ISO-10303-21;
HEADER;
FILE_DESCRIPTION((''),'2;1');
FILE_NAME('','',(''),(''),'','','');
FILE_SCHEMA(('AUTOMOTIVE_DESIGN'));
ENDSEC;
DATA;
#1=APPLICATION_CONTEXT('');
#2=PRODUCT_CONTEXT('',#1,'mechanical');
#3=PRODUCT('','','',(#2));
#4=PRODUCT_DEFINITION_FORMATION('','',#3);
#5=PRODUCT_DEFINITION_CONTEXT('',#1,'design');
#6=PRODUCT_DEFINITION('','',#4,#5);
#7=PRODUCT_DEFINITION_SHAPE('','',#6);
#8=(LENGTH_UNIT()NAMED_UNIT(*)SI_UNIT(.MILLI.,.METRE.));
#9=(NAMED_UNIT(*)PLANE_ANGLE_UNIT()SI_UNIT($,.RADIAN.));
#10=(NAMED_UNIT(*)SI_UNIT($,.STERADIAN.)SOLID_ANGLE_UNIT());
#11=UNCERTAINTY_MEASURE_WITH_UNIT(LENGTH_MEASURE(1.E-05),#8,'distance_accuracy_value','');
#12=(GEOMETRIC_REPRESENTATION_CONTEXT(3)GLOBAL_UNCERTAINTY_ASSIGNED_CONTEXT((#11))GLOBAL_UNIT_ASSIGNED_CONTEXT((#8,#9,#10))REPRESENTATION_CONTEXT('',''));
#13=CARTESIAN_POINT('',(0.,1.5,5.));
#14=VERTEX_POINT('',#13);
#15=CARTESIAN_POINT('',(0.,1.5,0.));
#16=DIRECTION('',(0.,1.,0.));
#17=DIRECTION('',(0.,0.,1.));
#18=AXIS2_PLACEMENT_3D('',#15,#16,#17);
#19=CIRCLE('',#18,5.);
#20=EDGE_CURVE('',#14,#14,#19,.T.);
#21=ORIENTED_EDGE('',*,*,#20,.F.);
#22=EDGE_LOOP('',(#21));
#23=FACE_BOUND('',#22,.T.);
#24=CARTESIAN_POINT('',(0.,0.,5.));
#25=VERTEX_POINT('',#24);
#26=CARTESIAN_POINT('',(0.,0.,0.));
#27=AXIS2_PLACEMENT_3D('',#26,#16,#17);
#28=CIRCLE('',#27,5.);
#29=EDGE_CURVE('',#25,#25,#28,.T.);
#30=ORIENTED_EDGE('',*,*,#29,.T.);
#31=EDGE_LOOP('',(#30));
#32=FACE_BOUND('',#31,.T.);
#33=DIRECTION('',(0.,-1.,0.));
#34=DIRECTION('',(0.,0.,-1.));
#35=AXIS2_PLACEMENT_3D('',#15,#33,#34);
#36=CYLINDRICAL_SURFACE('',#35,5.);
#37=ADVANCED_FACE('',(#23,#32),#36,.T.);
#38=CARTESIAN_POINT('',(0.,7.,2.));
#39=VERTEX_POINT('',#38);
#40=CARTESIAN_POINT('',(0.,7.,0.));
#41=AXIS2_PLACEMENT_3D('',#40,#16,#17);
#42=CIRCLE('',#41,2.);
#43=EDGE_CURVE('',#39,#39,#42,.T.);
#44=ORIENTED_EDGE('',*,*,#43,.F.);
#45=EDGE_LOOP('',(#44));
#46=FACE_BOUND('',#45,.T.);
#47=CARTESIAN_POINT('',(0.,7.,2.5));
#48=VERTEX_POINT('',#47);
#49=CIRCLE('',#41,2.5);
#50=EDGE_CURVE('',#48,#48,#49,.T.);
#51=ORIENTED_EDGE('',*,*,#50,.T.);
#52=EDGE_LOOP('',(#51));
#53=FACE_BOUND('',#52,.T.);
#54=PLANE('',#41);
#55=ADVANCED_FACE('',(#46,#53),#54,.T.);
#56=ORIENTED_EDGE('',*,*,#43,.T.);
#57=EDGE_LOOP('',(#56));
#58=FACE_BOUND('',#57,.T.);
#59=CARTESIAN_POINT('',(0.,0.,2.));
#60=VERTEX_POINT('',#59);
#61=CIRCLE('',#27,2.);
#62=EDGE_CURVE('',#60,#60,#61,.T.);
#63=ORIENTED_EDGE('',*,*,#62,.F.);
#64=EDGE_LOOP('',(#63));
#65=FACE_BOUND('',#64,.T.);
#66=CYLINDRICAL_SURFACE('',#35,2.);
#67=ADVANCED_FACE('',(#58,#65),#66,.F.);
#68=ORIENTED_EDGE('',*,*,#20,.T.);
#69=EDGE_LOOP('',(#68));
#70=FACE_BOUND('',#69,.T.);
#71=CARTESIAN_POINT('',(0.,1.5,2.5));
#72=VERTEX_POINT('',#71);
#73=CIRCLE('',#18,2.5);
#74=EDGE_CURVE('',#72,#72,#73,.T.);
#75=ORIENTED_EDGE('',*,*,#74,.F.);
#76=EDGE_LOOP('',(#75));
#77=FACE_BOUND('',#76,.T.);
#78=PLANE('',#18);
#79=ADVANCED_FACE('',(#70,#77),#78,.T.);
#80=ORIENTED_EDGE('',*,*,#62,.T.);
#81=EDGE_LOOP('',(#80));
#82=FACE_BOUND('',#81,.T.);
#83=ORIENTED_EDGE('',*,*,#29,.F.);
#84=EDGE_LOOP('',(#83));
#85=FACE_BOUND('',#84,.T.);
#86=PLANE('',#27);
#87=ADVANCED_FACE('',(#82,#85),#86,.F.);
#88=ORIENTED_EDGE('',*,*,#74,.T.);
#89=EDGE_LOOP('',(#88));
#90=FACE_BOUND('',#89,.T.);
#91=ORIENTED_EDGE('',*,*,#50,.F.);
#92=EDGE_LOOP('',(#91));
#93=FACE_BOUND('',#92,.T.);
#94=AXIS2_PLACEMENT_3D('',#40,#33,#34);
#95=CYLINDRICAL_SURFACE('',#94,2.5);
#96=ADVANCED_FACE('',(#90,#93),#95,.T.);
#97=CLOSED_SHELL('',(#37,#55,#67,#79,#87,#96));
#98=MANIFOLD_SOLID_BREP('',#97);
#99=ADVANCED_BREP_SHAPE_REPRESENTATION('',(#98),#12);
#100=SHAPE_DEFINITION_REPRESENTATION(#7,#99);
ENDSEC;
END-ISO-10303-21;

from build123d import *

# Parameters (mm, degrees)
SKETCH_1_R      = 5
SKETCH_1_R_2    = 2
EXTRUDE_1_DEPTH = 1.5
SKETCH_2_R      = 2.5
SKETCH_2_R_2    = 2
EXTRUDE_2_DEPTH = 5.5


with BuildPart() as part:
    # 草图1 → 凸台-拉伸1 (new body)
    with BuildSketch(Plane(origin=(0, 0, 0), x_dir=(1, 0, 0), z_dir=(0, 1, 0))):
        Circle(SKETCH_1_R)
        Circle(SKETCH_1_R_2, mode=Mode.SUBTRACT)
    extrude(amount=EXTRUDE_1_DEPTH)

    # 草图2 → 凸台-拉伸2 (add)
    with BuildSketch(Plane(origin=(0, 1.5, 0), x_dir=(1, 0, 0), z_dir=(0, 1, 0))):
        Circle(SKETCH_2_R)
        Circle(SKETCH_2_R_2, mode=Mode.SUBTRACT)
    extrude(amount=EXTRUDE_2_DEPTH)


solid = part.part
